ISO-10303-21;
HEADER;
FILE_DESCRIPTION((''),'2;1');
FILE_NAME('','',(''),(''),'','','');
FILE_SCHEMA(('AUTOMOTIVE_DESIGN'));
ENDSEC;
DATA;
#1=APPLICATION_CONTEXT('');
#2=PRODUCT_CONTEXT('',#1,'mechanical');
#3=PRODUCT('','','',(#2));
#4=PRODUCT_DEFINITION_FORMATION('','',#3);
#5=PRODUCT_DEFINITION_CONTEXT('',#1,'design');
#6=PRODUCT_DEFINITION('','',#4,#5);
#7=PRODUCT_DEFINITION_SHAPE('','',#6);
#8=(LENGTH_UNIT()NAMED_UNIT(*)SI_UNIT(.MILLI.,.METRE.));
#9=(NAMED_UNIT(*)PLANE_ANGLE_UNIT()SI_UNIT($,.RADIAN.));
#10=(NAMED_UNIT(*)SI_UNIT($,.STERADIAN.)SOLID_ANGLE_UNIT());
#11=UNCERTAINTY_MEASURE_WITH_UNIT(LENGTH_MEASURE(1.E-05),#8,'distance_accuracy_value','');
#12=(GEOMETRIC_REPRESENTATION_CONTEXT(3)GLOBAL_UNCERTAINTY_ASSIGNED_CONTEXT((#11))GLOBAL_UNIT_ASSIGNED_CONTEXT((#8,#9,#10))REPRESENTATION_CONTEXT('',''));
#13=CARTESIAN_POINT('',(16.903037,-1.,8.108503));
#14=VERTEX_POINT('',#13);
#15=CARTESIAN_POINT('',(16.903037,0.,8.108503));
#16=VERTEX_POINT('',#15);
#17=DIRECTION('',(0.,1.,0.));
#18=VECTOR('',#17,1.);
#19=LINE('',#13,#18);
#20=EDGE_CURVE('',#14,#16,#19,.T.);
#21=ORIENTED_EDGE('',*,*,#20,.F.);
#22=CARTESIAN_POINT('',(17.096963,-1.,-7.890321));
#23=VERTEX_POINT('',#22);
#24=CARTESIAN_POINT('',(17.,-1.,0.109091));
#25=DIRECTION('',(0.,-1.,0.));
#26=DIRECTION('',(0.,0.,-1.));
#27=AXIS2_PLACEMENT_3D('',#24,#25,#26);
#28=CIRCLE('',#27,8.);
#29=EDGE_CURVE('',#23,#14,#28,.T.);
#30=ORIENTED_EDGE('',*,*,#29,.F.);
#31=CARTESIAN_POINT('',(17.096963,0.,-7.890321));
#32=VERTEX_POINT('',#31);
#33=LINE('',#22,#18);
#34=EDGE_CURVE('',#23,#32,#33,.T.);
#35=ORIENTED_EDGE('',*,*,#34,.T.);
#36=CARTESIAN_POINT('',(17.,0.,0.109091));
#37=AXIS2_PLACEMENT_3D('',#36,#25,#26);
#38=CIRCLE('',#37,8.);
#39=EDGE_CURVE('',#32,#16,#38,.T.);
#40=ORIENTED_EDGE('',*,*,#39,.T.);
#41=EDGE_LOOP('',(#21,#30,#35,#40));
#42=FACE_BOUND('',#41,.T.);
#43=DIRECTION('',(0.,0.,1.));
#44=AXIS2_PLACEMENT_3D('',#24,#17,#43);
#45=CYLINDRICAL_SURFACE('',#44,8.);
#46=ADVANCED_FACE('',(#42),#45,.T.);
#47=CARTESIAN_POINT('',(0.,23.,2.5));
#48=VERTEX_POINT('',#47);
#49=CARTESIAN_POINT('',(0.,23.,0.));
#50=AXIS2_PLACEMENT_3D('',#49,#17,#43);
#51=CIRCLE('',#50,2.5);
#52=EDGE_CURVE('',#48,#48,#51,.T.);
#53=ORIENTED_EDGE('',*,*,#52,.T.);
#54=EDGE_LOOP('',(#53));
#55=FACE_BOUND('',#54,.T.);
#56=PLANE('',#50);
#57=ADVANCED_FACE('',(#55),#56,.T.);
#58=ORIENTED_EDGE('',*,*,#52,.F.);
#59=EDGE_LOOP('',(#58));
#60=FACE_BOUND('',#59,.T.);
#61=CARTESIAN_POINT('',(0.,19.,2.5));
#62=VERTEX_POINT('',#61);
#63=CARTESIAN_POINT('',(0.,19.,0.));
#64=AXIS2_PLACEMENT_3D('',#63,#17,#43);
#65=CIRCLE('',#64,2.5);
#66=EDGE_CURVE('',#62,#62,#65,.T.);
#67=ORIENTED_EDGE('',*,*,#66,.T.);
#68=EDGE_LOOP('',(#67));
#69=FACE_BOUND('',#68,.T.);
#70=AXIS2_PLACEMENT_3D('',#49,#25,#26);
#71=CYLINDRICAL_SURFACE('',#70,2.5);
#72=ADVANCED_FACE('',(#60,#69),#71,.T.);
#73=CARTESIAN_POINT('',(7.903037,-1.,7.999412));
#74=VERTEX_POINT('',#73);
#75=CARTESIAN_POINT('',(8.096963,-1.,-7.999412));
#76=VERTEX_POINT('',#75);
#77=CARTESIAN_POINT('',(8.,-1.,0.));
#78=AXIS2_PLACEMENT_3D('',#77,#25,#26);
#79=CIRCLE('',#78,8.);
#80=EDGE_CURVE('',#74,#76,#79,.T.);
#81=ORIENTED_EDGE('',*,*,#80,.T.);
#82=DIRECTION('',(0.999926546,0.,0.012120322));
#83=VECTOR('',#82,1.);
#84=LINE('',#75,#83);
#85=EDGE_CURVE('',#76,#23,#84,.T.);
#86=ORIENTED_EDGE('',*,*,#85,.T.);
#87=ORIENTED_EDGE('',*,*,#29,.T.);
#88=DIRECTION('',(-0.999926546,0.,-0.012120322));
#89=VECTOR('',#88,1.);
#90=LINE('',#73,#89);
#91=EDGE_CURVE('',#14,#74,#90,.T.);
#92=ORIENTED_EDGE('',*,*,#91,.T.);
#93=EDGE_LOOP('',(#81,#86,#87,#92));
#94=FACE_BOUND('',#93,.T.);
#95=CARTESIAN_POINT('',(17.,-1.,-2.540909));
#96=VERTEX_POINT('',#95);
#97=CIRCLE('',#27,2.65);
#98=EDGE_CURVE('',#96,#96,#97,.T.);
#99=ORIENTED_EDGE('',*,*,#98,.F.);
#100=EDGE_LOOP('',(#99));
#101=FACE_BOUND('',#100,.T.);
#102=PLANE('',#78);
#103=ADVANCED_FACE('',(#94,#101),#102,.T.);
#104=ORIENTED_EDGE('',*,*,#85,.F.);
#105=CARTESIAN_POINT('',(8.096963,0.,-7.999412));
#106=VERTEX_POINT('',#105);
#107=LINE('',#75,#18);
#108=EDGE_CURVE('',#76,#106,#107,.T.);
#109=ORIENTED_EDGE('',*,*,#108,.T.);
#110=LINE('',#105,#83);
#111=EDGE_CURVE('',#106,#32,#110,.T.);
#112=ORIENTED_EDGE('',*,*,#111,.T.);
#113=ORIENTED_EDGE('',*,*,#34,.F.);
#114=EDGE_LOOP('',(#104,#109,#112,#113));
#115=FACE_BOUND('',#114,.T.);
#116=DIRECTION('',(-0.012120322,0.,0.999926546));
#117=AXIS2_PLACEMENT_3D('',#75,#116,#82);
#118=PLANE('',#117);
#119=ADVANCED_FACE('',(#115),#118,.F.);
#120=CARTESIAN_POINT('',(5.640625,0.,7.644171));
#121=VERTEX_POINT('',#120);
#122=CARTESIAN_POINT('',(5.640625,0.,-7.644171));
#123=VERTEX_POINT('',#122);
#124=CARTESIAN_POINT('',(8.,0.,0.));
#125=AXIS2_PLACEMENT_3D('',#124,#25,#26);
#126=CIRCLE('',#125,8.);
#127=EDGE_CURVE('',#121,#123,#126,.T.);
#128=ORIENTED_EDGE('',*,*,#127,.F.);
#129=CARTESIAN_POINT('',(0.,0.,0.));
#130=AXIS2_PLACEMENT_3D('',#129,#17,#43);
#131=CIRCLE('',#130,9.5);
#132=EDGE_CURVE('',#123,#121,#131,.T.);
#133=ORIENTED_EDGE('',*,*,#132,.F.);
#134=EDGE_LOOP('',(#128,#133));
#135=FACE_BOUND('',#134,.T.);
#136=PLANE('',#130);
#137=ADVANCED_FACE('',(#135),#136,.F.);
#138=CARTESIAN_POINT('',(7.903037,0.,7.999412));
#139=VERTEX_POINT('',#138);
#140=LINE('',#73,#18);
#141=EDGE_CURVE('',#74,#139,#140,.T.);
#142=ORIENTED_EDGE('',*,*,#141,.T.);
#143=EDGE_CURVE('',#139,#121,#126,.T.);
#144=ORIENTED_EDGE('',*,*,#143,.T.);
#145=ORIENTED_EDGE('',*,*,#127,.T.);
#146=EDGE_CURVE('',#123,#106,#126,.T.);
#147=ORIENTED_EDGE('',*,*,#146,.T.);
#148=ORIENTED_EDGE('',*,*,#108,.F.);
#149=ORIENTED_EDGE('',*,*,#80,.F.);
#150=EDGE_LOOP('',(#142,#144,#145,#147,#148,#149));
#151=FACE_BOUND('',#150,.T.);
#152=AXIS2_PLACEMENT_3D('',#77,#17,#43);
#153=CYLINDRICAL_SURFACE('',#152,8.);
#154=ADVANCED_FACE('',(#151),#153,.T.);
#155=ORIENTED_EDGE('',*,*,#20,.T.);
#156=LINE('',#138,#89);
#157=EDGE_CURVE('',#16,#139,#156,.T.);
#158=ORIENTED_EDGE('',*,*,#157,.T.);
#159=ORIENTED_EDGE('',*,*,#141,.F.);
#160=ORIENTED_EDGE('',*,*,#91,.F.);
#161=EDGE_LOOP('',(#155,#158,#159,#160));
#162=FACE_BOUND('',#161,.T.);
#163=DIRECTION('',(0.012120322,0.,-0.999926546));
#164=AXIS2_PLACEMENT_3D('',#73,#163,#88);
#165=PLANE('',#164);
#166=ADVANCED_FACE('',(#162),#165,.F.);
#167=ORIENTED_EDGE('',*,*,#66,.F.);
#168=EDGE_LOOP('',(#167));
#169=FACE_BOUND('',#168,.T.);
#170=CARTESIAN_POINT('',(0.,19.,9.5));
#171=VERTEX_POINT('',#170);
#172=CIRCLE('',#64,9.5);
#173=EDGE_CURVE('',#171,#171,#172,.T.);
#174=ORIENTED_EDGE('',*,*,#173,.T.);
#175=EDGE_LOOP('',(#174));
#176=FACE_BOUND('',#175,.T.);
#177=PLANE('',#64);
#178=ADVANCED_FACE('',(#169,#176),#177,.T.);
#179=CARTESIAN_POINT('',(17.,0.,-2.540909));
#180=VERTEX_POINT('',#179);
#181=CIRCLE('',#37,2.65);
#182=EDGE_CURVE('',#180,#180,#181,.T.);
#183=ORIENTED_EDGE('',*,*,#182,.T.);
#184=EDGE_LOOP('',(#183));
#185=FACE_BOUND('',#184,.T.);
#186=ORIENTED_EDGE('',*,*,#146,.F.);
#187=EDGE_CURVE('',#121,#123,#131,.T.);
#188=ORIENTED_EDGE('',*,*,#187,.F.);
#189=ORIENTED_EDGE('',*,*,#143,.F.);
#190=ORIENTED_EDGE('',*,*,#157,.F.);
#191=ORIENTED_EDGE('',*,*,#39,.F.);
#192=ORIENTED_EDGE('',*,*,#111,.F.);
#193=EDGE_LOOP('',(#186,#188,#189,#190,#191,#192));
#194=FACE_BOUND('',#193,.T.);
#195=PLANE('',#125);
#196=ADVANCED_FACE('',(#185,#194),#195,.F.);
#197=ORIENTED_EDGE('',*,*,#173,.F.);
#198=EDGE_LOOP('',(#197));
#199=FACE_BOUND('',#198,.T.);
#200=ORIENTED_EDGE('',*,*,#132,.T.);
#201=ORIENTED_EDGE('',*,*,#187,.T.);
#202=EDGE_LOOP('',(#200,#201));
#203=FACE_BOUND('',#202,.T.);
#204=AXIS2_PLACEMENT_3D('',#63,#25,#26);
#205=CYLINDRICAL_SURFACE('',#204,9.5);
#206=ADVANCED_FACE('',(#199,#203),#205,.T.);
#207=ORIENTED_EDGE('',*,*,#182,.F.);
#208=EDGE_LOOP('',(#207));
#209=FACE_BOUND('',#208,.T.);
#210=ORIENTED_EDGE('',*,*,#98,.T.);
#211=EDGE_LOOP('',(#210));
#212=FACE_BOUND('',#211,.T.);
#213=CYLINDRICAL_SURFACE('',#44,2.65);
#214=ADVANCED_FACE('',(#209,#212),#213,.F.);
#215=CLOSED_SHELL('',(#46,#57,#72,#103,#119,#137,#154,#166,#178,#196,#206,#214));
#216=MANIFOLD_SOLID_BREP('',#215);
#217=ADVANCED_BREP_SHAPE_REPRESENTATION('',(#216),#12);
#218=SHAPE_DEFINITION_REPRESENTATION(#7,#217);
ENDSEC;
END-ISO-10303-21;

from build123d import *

# Parameters (mm, degrees)
SKETCH1_R           = 9.5
SKETCH1_R_2         = 2.5
BOSS_EXTRUDE1_DEPTH = 19
SKETCH2_R           = 2.5
BOSS_EXTRUDE2_DEPTH = 4
SKETCH3_R           = 2.65
BOSS_EXTRUDE3_DEPTH = 1


with BuildPart() as part:
    # Sketch1 → Boss-Extrude1 (new body)
    # profile 1 of 2: a face of its own
    with BuildSketch(Plane(origin=(0, 0, 0), x_dir=(1, 0, 0), z_dir=(0, 1, 0))):
        with Locations(Location((0, 0, 0), (0, 0, 270))):
            Circle(SKETCH1_R)
        Circle(SKETCH1_R_2, mode=Mode.SUBTRACT)
    # profile 2 of 2: a face of its own
    with BuildSketch(Plane(origin=(0, 0, 0), x_dir=(1, 0, 0), z_dir=(0, 1, 0))):
        Circle(SKETCH1_R_2)
    extrude(amount=BOSS_EXTRUDE1_DEPTH)

    # Sketch2 → Boss-Extrude2 (add)
    with BuildSketch(Plane(origin=(0, 19, 0), x_dir=(1, 0, 0), z_dir=(0, 1, 0))):
        with Locations(Location((0, 0, 0), (0, 0, 270))):
            Circle(SKETCH2_R)
    extrude(amount=BOSS_EXTRUDE2_DEPTH)

    # Sketch3 → Boss-Extrude3 (add)
    with BuildSketch(Plane.XZ):
        with BuildLine():
            Line((7.903037426, 7.99941237), (16.903037426, 8.108503279))
            ThreePointArc((16.903037426, 8.108503279), (24.99941237, 0.206053483), (17.096962574, -7.890321461))
            Line((17.096962574, -7.890321461), (8.096962574, -7.99941237))
            ThreePointArc((8.096962574, -7.99941237), (0.00058763, -0.096962574), (7.903037426, 7.99941237))
        make_face()
        with Locations(Location((17, 0.109090909, 0), (0, 0, 270))):
            Circle(SKETCH3_R, mode=Mode.SUBTRACT)
    extrude(amount=BOSS_EXTRUDE3_DEPTH)


solid = part.part
